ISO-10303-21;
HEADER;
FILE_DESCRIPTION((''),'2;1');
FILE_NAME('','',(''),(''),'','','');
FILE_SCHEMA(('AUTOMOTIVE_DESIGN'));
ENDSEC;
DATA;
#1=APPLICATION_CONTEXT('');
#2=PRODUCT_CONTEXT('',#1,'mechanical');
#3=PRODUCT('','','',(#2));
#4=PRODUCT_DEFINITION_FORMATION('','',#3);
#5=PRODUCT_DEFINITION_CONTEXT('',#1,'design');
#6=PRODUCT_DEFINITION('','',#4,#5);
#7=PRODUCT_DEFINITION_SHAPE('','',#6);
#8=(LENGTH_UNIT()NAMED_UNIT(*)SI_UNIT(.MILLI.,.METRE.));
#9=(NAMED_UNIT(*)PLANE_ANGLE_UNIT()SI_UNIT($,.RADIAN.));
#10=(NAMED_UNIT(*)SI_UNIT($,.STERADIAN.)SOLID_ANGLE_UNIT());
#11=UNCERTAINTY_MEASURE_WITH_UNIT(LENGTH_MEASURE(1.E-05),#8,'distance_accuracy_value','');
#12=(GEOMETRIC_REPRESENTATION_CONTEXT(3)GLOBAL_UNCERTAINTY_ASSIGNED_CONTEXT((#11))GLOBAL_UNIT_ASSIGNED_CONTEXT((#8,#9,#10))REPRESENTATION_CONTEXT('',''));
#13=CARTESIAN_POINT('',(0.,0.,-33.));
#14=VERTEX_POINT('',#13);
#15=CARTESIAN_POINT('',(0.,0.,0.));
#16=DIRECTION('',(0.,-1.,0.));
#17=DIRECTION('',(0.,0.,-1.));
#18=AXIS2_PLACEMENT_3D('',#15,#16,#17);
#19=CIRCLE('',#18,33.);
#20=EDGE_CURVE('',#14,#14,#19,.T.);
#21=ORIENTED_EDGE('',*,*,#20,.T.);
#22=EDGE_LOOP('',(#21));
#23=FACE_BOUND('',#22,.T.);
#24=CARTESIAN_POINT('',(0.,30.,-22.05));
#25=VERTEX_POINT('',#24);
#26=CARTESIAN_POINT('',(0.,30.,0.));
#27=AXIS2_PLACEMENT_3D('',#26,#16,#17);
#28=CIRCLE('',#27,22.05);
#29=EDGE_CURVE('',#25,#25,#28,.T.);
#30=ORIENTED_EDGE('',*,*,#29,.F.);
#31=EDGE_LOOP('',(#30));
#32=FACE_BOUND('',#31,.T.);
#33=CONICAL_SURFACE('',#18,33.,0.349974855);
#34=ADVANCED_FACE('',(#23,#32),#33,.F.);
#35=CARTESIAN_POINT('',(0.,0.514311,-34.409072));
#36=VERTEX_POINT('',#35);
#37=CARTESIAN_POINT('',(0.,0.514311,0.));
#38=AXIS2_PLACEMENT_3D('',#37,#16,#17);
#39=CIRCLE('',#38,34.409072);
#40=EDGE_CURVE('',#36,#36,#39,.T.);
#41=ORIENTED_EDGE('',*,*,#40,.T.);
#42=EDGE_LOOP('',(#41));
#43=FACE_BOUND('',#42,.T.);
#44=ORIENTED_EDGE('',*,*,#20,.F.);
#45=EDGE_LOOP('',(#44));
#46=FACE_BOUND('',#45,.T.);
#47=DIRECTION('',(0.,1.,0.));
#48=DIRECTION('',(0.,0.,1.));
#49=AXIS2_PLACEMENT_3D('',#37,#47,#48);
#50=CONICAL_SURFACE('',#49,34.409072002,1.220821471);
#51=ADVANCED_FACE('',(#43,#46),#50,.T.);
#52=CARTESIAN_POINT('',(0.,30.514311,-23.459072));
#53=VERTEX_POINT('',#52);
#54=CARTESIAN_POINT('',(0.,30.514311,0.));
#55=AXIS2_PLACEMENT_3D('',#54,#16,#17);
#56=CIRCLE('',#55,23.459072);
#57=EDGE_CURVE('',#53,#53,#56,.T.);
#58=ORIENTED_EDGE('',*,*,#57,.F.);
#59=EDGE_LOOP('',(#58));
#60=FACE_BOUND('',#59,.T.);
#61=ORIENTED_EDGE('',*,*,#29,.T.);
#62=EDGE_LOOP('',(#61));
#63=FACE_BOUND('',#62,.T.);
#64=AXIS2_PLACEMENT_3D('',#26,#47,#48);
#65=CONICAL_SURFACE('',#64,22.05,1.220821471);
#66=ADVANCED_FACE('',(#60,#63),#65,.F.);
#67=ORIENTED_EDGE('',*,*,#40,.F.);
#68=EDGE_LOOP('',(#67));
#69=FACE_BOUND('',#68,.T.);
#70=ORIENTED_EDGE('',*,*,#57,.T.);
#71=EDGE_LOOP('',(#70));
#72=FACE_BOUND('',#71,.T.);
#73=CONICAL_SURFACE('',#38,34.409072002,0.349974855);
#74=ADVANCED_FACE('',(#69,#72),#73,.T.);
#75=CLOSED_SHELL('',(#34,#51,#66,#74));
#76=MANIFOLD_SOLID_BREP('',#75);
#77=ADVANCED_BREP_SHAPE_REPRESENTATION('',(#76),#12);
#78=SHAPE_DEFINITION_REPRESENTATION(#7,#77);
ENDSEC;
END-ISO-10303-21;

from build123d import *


with BuildPart() as part:
    # Sketch2 → Revolve-Thin1 (revolve)
    with BuildSketch(Plane.XY, mode=Mode.PRIVATE) as revolve_thin1_sk:
        Polygon((33, 0), (22.05, 30), (23.459072002, 30.514311281), (34.409072002, 0.514311281), align=None)
    revolve(revolve_thin1_sk.sketch.rotate(Axis((0, 0, 0), (0, 1, 0)), 90), axis=Axis((0, 0, 0), (0, 1, 0)))


solid = part.part
